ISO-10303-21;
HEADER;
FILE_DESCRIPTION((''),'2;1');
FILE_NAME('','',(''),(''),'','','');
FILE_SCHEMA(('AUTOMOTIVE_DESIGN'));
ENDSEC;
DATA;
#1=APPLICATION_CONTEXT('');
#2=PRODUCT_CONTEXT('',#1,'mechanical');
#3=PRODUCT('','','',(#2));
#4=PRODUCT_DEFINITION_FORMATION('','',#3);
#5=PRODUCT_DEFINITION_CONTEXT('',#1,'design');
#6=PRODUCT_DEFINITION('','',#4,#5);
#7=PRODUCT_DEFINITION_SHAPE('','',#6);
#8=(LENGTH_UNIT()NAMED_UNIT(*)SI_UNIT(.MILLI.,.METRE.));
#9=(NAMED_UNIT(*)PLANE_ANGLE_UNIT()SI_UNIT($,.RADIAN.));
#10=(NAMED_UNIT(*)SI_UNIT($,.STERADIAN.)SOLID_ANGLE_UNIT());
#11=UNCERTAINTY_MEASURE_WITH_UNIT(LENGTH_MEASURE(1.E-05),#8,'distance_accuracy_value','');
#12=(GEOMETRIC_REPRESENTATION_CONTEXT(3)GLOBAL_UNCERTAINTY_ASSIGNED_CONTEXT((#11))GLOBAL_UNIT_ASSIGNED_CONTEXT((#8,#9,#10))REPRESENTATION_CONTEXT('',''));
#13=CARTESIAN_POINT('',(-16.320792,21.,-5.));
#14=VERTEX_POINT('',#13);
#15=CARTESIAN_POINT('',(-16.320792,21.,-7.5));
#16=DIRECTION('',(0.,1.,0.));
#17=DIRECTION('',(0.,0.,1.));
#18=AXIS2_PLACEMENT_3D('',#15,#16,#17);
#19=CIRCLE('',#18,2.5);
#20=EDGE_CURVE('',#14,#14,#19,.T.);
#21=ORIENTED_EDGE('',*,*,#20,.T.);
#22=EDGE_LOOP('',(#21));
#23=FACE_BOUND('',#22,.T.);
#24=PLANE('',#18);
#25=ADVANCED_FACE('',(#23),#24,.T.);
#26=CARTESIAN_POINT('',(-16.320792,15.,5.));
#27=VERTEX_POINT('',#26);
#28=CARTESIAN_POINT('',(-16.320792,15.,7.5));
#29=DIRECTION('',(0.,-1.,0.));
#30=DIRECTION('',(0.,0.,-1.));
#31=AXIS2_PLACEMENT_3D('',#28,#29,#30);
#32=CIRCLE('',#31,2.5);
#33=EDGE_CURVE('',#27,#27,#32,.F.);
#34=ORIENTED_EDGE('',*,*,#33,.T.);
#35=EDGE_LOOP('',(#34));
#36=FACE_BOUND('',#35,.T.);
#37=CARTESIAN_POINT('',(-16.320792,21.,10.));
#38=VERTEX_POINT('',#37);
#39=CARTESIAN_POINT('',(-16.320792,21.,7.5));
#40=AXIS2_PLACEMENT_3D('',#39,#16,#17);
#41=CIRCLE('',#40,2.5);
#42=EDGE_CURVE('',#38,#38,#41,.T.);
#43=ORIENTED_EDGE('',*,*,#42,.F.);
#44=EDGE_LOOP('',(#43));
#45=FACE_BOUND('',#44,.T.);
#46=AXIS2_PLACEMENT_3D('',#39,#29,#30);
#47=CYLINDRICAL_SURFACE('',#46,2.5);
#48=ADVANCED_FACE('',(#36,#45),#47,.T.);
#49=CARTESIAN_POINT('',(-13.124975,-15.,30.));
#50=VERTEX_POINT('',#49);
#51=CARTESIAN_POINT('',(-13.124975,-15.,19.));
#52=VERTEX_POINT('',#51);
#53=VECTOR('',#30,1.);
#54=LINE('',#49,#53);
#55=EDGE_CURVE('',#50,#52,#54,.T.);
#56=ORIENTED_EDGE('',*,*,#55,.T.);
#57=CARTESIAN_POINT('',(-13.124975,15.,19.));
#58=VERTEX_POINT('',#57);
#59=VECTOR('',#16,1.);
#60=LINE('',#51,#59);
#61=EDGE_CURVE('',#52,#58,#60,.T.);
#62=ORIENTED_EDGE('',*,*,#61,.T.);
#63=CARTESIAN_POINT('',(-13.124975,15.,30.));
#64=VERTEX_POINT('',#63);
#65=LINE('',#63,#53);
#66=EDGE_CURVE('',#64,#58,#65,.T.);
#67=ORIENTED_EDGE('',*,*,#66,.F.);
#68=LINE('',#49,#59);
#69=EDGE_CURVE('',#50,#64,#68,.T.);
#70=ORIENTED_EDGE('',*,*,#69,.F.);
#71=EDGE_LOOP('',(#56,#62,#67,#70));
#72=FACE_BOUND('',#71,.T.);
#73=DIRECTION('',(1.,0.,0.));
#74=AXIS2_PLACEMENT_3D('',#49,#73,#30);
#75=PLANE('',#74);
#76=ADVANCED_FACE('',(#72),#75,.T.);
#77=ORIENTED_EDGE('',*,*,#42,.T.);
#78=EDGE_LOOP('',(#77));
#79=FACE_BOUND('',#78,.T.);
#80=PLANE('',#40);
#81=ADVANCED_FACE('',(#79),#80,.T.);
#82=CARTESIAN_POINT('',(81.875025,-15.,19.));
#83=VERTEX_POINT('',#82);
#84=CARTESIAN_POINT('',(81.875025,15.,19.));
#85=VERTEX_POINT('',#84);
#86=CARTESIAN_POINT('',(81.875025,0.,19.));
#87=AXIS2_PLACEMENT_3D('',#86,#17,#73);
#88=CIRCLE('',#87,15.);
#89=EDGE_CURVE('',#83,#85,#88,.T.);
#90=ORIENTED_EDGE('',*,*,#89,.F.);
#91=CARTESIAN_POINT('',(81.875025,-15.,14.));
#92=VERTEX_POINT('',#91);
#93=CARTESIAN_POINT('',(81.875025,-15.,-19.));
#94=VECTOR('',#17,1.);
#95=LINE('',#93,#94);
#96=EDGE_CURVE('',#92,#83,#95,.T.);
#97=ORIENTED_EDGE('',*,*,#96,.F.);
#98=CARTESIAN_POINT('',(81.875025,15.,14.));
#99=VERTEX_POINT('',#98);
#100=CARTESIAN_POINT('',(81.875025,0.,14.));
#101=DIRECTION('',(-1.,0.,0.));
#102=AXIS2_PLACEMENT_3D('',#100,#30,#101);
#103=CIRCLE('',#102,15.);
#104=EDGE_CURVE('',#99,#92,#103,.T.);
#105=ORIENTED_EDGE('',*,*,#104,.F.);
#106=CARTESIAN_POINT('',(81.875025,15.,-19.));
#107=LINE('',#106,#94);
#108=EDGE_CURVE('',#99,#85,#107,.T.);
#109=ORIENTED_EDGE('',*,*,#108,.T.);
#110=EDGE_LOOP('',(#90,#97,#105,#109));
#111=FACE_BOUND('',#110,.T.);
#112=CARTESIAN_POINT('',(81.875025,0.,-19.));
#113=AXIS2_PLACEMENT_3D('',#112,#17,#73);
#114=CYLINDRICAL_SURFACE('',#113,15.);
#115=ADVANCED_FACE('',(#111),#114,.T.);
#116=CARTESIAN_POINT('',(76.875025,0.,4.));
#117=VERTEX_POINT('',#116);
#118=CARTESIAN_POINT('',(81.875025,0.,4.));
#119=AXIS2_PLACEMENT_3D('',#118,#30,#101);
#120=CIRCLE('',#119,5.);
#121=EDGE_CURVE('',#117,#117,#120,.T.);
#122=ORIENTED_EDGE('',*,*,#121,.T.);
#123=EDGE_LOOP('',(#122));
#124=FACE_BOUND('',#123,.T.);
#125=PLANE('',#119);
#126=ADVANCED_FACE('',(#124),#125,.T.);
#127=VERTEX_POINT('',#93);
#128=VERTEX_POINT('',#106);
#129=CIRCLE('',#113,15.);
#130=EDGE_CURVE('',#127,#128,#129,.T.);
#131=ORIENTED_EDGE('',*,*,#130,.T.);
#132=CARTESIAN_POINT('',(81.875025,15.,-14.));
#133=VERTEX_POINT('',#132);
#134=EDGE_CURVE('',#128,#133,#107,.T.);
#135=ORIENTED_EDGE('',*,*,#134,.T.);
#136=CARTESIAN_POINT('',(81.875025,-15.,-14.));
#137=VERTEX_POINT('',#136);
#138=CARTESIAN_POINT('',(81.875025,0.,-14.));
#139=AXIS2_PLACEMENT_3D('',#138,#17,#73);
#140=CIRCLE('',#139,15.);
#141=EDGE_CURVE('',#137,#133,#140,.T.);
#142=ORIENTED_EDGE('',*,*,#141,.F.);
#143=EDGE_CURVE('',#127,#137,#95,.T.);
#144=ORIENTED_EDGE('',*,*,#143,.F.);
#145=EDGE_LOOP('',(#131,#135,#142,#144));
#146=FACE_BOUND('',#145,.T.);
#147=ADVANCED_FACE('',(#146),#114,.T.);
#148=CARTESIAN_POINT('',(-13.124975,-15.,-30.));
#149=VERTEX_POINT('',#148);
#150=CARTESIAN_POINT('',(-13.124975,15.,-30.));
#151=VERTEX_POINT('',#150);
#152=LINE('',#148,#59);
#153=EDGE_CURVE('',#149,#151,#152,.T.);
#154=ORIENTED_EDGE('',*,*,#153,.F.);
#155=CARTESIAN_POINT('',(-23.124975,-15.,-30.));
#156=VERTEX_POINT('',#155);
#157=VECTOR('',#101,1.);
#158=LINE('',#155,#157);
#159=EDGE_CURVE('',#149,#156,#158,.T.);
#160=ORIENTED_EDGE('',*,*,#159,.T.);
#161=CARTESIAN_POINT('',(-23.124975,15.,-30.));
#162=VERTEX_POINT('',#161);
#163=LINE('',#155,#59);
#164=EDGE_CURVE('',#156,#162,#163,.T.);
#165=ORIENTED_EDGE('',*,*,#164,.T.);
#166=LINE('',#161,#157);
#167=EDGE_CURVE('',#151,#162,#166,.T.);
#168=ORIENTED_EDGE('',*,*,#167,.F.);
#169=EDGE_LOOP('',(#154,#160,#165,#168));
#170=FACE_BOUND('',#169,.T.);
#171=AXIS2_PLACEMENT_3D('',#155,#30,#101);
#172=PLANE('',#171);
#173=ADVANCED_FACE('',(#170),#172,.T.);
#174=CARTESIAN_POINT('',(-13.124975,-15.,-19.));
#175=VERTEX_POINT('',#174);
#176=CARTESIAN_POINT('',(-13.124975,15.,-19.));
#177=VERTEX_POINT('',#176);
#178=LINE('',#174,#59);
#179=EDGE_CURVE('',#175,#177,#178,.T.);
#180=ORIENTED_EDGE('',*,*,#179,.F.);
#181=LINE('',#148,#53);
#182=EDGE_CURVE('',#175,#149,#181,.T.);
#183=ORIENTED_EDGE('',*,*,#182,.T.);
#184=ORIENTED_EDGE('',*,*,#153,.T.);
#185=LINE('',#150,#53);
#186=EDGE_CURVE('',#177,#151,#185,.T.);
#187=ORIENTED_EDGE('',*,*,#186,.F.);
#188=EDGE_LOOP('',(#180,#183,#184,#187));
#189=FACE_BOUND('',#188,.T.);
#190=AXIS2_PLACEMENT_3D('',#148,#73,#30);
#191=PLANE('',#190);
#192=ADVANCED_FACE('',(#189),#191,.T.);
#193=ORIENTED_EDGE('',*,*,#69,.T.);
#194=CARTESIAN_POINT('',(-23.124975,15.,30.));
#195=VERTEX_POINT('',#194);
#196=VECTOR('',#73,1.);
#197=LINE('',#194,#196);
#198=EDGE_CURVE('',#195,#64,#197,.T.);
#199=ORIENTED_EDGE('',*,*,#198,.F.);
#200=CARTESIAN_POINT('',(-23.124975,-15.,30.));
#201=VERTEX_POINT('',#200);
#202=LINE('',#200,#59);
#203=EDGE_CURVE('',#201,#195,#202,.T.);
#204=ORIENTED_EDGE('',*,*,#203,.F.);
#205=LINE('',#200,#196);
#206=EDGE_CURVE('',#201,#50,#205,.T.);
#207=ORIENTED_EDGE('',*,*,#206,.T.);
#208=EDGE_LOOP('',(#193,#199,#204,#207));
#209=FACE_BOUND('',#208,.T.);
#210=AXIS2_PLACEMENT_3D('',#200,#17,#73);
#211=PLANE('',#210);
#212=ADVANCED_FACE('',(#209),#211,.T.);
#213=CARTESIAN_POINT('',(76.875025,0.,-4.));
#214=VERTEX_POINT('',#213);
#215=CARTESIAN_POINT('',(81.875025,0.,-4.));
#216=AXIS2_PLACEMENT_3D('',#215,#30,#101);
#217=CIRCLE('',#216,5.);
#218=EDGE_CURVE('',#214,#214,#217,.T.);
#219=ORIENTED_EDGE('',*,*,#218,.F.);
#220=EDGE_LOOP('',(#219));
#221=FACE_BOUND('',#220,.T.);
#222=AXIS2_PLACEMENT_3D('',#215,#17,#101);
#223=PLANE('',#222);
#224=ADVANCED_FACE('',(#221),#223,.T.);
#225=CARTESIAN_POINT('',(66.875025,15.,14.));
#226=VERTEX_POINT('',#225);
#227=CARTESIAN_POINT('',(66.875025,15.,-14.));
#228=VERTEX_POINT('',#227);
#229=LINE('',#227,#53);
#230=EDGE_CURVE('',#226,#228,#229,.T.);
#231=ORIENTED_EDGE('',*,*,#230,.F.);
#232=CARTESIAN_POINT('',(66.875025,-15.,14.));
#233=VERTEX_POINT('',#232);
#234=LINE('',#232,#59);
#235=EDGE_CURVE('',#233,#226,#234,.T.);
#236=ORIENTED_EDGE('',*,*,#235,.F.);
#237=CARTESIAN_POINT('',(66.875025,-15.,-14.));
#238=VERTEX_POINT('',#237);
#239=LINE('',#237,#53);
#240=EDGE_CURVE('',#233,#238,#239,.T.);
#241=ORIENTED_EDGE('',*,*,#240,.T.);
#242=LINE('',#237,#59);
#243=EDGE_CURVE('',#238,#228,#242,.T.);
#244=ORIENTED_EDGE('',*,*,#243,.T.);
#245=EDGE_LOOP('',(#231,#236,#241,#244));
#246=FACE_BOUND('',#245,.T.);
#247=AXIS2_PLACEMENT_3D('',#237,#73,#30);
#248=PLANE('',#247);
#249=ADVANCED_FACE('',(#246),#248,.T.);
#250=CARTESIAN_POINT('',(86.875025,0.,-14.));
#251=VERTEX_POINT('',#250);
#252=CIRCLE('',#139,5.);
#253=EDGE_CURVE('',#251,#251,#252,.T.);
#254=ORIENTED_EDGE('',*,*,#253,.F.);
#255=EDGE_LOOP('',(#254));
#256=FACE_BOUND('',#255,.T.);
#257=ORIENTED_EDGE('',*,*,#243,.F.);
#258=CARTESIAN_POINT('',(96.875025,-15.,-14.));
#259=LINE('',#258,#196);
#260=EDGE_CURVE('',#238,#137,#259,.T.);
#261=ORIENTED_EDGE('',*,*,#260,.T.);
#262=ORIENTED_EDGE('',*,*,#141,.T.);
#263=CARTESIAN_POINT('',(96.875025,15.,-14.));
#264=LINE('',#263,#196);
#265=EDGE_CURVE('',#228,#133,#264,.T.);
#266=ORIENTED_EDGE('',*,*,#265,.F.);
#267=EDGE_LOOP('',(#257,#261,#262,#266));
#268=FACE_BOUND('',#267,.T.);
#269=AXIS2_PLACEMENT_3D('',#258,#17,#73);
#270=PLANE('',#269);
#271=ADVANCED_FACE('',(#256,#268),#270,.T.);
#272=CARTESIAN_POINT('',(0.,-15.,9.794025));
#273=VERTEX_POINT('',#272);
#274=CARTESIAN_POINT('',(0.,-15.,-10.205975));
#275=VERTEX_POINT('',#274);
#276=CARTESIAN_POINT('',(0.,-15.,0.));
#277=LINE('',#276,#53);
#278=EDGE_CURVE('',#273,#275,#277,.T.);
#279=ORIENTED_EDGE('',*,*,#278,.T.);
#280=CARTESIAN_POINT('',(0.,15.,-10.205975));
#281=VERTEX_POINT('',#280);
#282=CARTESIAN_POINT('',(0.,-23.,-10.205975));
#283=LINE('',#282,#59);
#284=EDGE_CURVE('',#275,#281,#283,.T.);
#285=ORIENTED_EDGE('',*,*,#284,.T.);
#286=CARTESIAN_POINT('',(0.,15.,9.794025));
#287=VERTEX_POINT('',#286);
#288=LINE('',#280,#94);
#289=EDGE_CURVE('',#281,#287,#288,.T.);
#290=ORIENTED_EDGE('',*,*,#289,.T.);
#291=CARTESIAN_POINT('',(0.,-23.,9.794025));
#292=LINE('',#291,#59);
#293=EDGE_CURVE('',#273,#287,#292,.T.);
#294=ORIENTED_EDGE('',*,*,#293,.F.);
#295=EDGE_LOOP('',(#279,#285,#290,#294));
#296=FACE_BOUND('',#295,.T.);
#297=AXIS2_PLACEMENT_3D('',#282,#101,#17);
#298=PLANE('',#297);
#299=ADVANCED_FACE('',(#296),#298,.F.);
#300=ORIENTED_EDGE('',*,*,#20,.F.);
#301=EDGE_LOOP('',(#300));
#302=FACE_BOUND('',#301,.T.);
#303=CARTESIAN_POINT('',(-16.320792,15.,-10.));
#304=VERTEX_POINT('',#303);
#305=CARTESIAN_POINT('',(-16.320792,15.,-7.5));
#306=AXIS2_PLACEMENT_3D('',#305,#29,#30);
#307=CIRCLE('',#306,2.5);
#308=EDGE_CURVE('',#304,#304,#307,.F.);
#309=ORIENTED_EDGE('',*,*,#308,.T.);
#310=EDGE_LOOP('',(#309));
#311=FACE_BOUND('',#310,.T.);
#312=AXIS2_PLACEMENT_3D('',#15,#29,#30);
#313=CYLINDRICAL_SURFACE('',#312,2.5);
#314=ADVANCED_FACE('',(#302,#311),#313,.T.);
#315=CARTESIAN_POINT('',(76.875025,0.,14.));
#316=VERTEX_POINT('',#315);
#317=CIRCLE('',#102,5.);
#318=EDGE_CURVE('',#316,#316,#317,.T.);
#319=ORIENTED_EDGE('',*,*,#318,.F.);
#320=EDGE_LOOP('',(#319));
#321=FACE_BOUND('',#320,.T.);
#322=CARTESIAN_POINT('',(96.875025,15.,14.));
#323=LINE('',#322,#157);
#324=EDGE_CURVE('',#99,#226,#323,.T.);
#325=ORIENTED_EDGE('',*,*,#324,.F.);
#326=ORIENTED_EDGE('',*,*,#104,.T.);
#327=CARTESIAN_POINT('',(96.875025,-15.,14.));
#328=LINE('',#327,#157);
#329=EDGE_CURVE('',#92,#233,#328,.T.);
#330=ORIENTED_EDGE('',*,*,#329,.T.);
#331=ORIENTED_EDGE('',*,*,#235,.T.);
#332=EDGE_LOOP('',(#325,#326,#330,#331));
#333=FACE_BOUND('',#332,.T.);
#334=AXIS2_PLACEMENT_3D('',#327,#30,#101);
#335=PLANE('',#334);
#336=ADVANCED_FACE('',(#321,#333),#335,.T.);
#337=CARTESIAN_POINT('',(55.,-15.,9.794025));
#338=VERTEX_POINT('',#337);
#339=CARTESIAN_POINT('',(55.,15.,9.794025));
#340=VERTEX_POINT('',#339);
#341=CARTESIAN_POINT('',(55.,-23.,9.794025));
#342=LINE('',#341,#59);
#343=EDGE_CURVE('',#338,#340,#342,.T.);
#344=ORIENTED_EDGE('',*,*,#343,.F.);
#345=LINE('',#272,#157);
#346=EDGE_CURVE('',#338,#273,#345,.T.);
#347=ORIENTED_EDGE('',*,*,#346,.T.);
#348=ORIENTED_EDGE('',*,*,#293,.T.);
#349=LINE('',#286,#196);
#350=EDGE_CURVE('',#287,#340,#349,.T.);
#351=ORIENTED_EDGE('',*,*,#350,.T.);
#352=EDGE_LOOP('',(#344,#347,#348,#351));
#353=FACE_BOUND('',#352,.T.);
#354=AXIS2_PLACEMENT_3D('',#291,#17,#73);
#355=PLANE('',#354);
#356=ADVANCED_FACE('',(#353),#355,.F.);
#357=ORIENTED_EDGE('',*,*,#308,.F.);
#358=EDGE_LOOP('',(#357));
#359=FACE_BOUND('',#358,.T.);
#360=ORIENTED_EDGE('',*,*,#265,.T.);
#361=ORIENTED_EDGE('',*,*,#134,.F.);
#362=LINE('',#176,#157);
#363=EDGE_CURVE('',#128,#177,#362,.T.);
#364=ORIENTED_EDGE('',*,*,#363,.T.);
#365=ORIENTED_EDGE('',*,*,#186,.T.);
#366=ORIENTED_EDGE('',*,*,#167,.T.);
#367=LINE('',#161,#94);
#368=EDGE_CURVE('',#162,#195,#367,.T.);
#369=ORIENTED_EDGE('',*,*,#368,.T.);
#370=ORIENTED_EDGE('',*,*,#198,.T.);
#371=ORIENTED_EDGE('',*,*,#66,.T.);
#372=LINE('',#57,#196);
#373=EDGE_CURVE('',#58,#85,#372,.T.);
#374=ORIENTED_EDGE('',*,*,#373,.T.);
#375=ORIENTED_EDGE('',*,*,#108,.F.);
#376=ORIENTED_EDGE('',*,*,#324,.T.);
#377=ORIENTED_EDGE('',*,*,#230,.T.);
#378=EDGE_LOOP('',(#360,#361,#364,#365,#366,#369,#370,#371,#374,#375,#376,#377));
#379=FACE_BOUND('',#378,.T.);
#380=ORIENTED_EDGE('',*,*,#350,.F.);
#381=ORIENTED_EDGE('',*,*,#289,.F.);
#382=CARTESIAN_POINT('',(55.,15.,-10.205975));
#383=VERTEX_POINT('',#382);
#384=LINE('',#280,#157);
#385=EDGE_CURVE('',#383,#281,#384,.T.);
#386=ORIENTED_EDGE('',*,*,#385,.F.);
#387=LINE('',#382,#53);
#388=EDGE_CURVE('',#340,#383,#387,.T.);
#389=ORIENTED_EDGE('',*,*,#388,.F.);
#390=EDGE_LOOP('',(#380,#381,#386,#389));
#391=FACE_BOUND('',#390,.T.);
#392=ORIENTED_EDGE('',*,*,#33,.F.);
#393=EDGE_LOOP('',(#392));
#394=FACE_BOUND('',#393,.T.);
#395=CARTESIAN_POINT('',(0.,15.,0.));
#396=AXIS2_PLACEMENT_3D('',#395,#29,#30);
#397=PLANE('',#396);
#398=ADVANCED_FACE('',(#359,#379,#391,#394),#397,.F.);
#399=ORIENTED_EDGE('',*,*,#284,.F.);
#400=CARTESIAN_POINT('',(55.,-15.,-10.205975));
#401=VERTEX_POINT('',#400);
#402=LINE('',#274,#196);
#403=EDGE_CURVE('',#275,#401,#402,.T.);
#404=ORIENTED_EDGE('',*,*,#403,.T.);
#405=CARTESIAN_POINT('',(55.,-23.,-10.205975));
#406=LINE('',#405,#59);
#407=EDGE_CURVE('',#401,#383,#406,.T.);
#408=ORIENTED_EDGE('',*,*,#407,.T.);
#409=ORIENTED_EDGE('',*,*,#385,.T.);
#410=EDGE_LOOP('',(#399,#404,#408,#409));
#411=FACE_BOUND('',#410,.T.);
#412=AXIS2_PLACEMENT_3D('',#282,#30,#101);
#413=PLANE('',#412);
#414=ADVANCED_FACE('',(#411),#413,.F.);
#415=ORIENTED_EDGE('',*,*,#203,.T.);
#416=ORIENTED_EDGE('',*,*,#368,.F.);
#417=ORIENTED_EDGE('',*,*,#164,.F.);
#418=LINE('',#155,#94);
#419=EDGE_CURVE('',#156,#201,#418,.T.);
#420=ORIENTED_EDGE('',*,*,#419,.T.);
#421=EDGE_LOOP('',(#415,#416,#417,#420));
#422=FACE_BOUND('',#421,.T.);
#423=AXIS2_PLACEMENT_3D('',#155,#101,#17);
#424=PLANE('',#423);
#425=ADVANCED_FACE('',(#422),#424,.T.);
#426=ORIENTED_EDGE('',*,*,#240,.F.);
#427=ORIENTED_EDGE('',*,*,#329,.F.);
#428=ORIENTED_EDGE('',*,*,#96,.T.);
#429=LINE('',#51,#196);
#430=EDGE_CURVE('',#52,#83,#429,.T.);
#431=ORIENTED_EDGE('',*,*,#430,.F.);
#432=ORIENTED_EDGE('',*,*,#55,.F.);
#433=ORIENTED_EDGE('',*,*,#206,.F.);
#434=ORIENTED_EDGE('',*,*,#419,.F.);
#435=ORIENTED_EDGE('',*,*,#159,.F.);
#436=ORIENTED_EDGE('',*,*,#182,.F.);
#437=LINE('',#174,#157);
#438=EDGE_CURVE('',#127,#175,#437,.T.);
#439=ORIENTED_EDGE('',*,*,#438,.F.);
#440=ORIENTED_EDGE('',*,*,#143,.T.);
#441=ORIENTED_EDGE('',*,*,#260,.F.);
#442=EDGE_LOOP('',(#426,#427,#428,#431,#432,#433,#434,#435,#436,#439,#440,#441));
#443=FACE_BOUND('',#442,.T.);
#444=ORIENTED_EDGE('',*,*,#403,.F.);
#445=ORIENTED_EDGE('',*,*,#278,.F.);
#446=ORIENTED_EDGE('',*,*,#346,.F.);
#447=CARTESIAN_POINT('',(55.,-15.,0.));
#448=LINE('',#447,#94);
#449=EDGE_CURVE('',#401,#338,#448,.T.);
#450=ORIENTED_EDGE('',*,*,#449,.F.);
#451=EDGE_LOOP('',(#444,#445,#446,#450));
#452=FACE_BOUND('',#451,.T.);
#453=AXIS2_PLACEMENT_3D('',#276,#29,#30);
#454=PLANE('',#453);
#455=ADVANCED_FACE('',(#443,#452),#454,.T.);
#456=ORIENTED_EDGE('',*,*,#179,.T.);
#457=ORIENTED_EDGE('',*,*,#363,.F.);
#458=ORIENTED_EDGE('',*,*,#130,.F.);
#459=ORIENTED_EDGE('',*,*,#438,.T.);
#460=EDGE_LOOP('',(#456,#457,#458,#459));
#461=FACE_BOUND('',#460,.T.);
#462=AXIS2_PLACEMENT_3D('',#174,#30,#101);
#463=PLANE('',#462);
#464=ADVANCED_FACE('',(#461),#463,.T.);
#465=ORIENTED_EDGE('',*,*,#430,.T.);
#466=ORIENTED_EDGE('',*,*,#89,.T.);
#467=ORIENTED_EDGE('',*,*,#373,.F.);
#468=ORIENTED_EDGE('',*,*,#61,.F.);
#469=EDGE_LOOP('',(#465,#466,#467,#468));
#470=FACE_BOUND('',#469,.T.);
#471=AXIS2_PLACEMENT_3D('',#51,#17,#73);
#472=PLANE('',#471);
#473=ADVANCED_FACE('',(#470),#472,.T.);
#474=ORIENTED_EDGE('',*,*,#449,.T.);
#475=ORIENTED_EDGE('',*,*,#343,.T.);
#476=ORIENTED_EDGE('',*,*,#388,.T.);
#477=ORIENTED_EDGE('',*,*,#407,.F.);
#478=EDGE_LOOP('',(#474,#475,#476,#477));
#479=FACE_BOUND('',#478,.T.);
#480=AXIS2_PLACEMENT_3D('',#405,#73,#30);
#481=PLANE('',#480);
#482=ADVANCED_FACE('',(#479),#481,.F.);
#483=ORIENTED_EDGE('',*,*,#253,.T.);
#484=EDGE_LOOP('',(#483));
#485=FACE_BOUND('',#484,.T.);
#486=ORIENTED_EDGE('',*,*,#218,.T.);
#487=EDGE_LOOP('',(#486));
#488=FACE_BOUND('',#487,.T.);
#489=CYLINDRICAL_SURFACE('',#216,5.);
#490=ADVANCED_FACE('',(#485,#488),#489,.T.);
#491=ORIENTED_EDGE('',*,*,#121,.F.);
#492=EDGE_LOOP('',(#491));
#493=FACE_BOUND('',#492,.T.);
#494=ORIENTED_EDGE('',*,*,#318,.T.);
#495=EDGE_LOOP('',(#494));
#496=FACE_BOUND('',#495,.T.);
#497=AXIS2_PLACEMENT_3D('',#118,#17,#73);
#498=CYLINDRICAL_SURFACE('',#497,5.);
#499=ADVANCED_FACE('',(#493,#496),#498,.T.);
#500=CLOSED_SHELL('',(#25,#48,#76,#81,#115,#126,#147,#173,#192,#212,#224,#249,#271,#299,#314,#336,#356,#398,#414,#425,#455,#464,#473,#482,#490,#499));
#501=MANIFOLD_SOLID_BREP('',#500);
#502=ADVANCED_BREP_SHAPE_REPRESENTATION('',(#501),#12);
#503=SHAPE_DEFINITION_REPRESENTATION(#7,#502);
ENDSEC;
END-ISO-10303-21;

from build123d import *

# Parameters (mm, degrees)
BOSS_EXTRUDE1_DEPTH      = 15
BOSS_EXTRUDE1_DEPTH_BACK = 15
CUT_EXTRUDE1_DEPTH       = 38
SKETCH6_W                = 55
SKETCH6_H                = 20
CUT_EXTRUDE2_DEPTH       = 38
SKETCH8_R                = 5
BOSS_EXTRUDE2_DEPTH      = 10
SKETCH9_R                = 2.5
BOSS_EXTRUDE3_DEPTH      = 6


with BuildPart() as part:
    # Sketch1 → Boss-Extrude1 (new, two sides: drawn at the far end of the back side and taken through both)
    with BuildSketch(Plane(origin=(0, 0, 0), x_dir=(1, 0, 0), z_dir=(0, 1, 0)).offset(-BOSS_EXTRUDE1_DEPTH_BACK)):
        Polygon((-13.124974518, 30), (-13.124974518, 19), (96.875025482, 19), (96.875025482, 14), (66.875025482, 14), (66.875025482, -14), (96.875025482, -14), (96.875025482, -19), (-13.124974518, -19), (-13.124974518, -30), (-23.124974518, -30), (-23.124974518, 30), align=None)
    extrude(amount=BOSS_EXTRUDE1_DEPTH + BOSS_EXTRUDE1_DEPTH_BACK)

    # Sketch4 → Cut-Extrude1 (cut)
    with BuildSketch(Plane.XY.offset(19)):
        with BuildLine():
            Line((96.875025482, -15), (96.875025482, 0))
            ThreePointArc((96.875025482, 0), (92.4816272, -10.606601718), (81.875025482, -15))
            Line((81.875025482, -15), (96.875025482, -15))
        make_face()
        with BuildLine():
            Line((96.875025482, 15), (81.875025482, 15))
            ThreePointArc((81.875025482, 15), (92.4816272, 10.606601718), (96.875025482, 0))
            Line((96.875025482, 0), (96.875025482, 15))
        make_face()
    extrude(amount=-CUT_EXTRUDE1_DEPTH, mode=Mode.SUBTRACT)

    # Sketch6 → Cut-Extrude2 (cut)
    with BuildSketch(Plane(origin=(0, 15, 0), x_dir=(1, 0, 0), z_dir=(0, 1, 0))):
        with Locations((27.5, 0.205975337)):
            Rectangle(SKETCH6_W, SKETCH6_H)
    extrude(amount=-CUT_EXTRUDE2_DEPTH, mode=Mode.SUBTRACT)

    # Sketch8 → Boss-Extrude2 (add)
    with BuildSketch(Plane(origin=(0, 0, 14), x_dir=(-1, 0, 0), z_dir=(0, 0, -1))):
        with Locations((-81.875025482, 0)):
            Circle(SKETCH8_R)
    boss_extrude2 = extrude(amount=BOSS_EXTRUDE2_DEPTH)

    # Mirror1: Boss-Extrude2 across plane
    add(boss_extrude2.mirror(Plane.XY))

    # Sketch9 → Boss-Extrude3 (add)
    with BuildSketch(Plane(origin=(0, 15, 0), x_dir=(1, 0, 0), z_dir=(0, 1, 0))):
        with Locations((-16.320792203, 7.5)):
            Circle(SKETCH9_R)
        with Locations((-16.320792203, -7.5)):
            Circle(SKETCH9_R)
    extrude(amount=BOSS_EXTRUDE3_DEPTH)


solid = part.part
